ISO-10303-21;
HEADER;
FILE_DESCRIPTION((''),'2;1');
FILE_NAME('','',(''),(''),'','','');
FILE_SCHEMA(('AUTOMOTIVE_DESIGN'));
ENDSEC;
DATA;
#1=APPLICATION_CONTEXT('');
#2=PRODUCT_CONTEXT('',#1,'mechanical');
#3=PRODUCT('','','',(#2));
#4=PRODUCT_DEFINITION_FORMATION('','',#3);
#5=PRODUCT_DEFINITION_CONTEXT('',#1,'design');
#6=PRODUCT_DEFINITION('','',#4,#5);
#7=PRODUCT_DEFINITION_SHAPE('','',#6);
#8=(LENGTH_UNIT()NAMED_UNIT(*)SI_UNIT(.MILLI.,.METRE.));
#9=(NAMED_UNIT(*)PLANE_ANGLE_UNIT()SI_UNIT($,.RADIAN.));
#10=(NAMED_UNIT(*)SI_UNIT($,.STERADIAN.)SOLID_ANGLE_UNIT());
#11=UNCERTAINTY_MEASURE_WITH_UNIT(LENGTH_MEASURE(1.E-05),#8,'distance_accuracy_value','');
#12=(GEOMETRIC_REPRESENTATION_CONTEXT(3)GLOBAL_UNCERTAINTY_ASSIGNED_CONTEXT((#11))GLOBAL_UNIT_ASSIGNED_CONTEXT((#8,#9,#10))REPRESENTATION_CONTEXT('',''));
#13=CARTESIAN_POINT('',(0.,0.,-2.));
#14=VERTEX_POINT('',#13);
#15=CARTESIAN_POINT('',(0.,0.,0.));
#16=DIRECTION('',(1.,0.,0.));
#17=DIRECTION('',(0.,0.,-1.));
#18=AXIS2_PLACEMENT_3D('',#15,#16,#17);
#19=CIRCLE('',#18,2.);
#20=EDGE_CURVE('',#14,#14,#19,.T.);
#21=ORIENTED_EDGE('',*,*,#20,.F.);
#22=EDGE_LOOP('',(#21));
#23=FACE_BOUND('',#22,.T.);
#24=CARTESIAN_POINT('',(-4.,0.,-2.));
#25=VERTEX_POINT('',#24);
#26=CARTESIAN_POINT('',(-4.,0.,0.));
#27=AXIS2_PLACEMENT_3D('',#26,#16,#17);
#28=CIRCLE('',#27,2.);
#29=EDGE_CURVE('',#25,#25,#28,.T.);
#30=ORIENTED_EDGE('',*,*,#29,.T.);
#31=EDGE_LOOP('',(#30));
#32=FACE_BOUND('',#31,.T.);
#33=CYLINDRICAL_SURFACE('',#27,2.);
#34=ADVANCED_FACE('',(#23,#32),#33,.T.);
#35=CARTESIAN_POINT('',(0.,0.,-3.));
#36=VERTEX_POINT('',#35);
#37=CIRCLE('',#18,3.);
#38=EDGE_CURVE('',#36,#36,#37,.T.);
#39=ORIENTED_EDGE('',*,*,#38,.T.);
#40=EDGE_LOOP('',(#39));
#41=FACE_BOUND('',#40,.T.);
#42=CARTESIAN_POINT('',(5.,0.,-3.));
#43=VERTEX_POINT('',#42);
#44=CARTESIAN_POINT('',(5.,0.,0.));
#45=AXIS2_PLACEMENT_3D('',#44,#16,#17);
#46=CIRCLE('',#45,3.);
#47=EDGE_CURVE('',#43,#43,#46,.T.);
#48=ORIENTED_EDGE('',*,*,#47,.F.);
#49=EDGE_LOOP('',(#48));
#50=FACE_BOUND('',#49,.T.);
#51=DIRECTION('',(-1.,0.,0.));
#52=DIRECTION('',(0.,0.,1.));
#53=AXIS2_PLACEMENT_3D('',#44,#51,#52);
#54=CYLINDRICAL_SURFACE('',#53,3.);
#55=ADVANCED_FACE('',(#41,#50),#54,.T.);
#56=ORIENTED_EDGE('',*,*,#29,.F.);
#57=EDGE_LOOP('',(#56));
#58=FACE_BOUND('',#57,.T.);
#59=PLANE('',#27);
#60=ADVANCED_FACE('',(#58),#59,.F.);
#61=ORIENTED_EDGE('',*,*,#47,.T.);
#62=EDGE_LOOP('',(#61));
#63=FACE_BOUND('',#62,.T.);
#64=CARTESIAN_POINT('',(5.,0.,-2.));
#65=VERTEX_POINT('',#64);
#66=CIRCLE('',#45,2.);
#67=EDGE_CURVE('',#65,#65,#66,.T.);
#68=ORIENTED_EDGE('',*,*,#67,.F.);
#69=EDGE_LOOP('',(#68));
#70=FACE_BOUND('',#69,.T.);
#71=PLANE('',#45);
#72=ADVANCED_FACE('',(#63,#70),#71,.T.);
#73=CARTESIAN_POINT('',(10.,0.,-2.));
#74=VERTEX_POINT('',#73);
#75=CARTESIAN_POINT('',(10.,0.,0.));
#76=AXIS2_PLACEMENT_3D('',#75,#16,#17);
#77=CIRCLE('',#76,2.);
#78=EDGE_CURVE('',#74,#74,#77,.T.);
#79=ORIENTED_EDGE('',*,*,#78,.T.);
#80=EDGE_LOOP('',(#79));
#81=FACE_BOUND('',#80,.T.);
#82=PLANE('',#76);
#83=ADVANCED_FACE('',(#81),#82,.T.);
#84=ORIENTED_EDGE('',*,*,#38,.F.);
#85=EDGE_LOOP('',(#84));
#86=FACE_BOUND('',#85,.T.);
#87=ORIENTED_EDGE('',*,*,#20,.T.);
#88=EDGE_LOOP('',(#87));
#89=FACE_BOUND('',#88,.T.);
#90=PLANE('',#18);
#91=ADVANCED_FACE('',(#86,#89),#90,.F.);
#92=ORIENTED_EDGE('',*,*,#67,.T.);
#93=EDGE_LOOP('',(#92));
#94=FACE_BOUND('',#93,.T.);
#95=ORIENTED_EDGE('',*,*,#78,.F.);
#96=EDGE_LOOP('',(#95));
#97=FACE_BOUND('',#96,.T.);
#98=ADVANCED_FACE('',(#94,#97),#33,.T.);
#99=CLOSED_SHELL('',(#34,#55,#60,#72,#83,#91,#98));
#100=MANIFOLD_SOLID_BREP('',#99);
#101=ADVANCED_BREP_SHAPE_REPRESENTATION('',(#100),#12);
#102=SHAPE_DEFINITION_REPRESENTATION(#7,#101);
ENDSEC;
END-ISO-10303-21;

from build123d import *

# Parameters (mm, degrees)
SKETCH1_R                = 3
BOSS_EXTRUDE1_DEPTH      = 5
BOSS_EXTRUDE2_DEPTH      = 5
BOSS_EXTRUDE2_DEPTH_BACK = 9
SKETCH2_R                = 2


with BuildPart() as part:
    # Sketch1 → Boss-Extrude1 (new body)
    with BuildSketch(Plane(origin=(0, 0, 0), x_dir=(0, 0, -1), z_dir=(1, 0, 0))):
        Circle(SKETCH1_R)
    extrude(amount=BOSS_EXTRUDE1_DEPTH)

    # Sketch2 → Boss-Extrude2 (add, two sides: drawn at the far end of the back side and taken through both)
    with BuildSketch(Plane(origin=(5, 0, 0), x_dir=(0, 0, -1), z_dir=(1, 0, 0)).offset(-BOSS_EXTRUDE2_DEPTH_BACK)):
        Circle(SKETCH2_R)
    extrude(amount=BOSS_EXTRUDE2_DEPTH + BOSS_EXTRUDE2_DEPTH_BACK)


solid = part.part
